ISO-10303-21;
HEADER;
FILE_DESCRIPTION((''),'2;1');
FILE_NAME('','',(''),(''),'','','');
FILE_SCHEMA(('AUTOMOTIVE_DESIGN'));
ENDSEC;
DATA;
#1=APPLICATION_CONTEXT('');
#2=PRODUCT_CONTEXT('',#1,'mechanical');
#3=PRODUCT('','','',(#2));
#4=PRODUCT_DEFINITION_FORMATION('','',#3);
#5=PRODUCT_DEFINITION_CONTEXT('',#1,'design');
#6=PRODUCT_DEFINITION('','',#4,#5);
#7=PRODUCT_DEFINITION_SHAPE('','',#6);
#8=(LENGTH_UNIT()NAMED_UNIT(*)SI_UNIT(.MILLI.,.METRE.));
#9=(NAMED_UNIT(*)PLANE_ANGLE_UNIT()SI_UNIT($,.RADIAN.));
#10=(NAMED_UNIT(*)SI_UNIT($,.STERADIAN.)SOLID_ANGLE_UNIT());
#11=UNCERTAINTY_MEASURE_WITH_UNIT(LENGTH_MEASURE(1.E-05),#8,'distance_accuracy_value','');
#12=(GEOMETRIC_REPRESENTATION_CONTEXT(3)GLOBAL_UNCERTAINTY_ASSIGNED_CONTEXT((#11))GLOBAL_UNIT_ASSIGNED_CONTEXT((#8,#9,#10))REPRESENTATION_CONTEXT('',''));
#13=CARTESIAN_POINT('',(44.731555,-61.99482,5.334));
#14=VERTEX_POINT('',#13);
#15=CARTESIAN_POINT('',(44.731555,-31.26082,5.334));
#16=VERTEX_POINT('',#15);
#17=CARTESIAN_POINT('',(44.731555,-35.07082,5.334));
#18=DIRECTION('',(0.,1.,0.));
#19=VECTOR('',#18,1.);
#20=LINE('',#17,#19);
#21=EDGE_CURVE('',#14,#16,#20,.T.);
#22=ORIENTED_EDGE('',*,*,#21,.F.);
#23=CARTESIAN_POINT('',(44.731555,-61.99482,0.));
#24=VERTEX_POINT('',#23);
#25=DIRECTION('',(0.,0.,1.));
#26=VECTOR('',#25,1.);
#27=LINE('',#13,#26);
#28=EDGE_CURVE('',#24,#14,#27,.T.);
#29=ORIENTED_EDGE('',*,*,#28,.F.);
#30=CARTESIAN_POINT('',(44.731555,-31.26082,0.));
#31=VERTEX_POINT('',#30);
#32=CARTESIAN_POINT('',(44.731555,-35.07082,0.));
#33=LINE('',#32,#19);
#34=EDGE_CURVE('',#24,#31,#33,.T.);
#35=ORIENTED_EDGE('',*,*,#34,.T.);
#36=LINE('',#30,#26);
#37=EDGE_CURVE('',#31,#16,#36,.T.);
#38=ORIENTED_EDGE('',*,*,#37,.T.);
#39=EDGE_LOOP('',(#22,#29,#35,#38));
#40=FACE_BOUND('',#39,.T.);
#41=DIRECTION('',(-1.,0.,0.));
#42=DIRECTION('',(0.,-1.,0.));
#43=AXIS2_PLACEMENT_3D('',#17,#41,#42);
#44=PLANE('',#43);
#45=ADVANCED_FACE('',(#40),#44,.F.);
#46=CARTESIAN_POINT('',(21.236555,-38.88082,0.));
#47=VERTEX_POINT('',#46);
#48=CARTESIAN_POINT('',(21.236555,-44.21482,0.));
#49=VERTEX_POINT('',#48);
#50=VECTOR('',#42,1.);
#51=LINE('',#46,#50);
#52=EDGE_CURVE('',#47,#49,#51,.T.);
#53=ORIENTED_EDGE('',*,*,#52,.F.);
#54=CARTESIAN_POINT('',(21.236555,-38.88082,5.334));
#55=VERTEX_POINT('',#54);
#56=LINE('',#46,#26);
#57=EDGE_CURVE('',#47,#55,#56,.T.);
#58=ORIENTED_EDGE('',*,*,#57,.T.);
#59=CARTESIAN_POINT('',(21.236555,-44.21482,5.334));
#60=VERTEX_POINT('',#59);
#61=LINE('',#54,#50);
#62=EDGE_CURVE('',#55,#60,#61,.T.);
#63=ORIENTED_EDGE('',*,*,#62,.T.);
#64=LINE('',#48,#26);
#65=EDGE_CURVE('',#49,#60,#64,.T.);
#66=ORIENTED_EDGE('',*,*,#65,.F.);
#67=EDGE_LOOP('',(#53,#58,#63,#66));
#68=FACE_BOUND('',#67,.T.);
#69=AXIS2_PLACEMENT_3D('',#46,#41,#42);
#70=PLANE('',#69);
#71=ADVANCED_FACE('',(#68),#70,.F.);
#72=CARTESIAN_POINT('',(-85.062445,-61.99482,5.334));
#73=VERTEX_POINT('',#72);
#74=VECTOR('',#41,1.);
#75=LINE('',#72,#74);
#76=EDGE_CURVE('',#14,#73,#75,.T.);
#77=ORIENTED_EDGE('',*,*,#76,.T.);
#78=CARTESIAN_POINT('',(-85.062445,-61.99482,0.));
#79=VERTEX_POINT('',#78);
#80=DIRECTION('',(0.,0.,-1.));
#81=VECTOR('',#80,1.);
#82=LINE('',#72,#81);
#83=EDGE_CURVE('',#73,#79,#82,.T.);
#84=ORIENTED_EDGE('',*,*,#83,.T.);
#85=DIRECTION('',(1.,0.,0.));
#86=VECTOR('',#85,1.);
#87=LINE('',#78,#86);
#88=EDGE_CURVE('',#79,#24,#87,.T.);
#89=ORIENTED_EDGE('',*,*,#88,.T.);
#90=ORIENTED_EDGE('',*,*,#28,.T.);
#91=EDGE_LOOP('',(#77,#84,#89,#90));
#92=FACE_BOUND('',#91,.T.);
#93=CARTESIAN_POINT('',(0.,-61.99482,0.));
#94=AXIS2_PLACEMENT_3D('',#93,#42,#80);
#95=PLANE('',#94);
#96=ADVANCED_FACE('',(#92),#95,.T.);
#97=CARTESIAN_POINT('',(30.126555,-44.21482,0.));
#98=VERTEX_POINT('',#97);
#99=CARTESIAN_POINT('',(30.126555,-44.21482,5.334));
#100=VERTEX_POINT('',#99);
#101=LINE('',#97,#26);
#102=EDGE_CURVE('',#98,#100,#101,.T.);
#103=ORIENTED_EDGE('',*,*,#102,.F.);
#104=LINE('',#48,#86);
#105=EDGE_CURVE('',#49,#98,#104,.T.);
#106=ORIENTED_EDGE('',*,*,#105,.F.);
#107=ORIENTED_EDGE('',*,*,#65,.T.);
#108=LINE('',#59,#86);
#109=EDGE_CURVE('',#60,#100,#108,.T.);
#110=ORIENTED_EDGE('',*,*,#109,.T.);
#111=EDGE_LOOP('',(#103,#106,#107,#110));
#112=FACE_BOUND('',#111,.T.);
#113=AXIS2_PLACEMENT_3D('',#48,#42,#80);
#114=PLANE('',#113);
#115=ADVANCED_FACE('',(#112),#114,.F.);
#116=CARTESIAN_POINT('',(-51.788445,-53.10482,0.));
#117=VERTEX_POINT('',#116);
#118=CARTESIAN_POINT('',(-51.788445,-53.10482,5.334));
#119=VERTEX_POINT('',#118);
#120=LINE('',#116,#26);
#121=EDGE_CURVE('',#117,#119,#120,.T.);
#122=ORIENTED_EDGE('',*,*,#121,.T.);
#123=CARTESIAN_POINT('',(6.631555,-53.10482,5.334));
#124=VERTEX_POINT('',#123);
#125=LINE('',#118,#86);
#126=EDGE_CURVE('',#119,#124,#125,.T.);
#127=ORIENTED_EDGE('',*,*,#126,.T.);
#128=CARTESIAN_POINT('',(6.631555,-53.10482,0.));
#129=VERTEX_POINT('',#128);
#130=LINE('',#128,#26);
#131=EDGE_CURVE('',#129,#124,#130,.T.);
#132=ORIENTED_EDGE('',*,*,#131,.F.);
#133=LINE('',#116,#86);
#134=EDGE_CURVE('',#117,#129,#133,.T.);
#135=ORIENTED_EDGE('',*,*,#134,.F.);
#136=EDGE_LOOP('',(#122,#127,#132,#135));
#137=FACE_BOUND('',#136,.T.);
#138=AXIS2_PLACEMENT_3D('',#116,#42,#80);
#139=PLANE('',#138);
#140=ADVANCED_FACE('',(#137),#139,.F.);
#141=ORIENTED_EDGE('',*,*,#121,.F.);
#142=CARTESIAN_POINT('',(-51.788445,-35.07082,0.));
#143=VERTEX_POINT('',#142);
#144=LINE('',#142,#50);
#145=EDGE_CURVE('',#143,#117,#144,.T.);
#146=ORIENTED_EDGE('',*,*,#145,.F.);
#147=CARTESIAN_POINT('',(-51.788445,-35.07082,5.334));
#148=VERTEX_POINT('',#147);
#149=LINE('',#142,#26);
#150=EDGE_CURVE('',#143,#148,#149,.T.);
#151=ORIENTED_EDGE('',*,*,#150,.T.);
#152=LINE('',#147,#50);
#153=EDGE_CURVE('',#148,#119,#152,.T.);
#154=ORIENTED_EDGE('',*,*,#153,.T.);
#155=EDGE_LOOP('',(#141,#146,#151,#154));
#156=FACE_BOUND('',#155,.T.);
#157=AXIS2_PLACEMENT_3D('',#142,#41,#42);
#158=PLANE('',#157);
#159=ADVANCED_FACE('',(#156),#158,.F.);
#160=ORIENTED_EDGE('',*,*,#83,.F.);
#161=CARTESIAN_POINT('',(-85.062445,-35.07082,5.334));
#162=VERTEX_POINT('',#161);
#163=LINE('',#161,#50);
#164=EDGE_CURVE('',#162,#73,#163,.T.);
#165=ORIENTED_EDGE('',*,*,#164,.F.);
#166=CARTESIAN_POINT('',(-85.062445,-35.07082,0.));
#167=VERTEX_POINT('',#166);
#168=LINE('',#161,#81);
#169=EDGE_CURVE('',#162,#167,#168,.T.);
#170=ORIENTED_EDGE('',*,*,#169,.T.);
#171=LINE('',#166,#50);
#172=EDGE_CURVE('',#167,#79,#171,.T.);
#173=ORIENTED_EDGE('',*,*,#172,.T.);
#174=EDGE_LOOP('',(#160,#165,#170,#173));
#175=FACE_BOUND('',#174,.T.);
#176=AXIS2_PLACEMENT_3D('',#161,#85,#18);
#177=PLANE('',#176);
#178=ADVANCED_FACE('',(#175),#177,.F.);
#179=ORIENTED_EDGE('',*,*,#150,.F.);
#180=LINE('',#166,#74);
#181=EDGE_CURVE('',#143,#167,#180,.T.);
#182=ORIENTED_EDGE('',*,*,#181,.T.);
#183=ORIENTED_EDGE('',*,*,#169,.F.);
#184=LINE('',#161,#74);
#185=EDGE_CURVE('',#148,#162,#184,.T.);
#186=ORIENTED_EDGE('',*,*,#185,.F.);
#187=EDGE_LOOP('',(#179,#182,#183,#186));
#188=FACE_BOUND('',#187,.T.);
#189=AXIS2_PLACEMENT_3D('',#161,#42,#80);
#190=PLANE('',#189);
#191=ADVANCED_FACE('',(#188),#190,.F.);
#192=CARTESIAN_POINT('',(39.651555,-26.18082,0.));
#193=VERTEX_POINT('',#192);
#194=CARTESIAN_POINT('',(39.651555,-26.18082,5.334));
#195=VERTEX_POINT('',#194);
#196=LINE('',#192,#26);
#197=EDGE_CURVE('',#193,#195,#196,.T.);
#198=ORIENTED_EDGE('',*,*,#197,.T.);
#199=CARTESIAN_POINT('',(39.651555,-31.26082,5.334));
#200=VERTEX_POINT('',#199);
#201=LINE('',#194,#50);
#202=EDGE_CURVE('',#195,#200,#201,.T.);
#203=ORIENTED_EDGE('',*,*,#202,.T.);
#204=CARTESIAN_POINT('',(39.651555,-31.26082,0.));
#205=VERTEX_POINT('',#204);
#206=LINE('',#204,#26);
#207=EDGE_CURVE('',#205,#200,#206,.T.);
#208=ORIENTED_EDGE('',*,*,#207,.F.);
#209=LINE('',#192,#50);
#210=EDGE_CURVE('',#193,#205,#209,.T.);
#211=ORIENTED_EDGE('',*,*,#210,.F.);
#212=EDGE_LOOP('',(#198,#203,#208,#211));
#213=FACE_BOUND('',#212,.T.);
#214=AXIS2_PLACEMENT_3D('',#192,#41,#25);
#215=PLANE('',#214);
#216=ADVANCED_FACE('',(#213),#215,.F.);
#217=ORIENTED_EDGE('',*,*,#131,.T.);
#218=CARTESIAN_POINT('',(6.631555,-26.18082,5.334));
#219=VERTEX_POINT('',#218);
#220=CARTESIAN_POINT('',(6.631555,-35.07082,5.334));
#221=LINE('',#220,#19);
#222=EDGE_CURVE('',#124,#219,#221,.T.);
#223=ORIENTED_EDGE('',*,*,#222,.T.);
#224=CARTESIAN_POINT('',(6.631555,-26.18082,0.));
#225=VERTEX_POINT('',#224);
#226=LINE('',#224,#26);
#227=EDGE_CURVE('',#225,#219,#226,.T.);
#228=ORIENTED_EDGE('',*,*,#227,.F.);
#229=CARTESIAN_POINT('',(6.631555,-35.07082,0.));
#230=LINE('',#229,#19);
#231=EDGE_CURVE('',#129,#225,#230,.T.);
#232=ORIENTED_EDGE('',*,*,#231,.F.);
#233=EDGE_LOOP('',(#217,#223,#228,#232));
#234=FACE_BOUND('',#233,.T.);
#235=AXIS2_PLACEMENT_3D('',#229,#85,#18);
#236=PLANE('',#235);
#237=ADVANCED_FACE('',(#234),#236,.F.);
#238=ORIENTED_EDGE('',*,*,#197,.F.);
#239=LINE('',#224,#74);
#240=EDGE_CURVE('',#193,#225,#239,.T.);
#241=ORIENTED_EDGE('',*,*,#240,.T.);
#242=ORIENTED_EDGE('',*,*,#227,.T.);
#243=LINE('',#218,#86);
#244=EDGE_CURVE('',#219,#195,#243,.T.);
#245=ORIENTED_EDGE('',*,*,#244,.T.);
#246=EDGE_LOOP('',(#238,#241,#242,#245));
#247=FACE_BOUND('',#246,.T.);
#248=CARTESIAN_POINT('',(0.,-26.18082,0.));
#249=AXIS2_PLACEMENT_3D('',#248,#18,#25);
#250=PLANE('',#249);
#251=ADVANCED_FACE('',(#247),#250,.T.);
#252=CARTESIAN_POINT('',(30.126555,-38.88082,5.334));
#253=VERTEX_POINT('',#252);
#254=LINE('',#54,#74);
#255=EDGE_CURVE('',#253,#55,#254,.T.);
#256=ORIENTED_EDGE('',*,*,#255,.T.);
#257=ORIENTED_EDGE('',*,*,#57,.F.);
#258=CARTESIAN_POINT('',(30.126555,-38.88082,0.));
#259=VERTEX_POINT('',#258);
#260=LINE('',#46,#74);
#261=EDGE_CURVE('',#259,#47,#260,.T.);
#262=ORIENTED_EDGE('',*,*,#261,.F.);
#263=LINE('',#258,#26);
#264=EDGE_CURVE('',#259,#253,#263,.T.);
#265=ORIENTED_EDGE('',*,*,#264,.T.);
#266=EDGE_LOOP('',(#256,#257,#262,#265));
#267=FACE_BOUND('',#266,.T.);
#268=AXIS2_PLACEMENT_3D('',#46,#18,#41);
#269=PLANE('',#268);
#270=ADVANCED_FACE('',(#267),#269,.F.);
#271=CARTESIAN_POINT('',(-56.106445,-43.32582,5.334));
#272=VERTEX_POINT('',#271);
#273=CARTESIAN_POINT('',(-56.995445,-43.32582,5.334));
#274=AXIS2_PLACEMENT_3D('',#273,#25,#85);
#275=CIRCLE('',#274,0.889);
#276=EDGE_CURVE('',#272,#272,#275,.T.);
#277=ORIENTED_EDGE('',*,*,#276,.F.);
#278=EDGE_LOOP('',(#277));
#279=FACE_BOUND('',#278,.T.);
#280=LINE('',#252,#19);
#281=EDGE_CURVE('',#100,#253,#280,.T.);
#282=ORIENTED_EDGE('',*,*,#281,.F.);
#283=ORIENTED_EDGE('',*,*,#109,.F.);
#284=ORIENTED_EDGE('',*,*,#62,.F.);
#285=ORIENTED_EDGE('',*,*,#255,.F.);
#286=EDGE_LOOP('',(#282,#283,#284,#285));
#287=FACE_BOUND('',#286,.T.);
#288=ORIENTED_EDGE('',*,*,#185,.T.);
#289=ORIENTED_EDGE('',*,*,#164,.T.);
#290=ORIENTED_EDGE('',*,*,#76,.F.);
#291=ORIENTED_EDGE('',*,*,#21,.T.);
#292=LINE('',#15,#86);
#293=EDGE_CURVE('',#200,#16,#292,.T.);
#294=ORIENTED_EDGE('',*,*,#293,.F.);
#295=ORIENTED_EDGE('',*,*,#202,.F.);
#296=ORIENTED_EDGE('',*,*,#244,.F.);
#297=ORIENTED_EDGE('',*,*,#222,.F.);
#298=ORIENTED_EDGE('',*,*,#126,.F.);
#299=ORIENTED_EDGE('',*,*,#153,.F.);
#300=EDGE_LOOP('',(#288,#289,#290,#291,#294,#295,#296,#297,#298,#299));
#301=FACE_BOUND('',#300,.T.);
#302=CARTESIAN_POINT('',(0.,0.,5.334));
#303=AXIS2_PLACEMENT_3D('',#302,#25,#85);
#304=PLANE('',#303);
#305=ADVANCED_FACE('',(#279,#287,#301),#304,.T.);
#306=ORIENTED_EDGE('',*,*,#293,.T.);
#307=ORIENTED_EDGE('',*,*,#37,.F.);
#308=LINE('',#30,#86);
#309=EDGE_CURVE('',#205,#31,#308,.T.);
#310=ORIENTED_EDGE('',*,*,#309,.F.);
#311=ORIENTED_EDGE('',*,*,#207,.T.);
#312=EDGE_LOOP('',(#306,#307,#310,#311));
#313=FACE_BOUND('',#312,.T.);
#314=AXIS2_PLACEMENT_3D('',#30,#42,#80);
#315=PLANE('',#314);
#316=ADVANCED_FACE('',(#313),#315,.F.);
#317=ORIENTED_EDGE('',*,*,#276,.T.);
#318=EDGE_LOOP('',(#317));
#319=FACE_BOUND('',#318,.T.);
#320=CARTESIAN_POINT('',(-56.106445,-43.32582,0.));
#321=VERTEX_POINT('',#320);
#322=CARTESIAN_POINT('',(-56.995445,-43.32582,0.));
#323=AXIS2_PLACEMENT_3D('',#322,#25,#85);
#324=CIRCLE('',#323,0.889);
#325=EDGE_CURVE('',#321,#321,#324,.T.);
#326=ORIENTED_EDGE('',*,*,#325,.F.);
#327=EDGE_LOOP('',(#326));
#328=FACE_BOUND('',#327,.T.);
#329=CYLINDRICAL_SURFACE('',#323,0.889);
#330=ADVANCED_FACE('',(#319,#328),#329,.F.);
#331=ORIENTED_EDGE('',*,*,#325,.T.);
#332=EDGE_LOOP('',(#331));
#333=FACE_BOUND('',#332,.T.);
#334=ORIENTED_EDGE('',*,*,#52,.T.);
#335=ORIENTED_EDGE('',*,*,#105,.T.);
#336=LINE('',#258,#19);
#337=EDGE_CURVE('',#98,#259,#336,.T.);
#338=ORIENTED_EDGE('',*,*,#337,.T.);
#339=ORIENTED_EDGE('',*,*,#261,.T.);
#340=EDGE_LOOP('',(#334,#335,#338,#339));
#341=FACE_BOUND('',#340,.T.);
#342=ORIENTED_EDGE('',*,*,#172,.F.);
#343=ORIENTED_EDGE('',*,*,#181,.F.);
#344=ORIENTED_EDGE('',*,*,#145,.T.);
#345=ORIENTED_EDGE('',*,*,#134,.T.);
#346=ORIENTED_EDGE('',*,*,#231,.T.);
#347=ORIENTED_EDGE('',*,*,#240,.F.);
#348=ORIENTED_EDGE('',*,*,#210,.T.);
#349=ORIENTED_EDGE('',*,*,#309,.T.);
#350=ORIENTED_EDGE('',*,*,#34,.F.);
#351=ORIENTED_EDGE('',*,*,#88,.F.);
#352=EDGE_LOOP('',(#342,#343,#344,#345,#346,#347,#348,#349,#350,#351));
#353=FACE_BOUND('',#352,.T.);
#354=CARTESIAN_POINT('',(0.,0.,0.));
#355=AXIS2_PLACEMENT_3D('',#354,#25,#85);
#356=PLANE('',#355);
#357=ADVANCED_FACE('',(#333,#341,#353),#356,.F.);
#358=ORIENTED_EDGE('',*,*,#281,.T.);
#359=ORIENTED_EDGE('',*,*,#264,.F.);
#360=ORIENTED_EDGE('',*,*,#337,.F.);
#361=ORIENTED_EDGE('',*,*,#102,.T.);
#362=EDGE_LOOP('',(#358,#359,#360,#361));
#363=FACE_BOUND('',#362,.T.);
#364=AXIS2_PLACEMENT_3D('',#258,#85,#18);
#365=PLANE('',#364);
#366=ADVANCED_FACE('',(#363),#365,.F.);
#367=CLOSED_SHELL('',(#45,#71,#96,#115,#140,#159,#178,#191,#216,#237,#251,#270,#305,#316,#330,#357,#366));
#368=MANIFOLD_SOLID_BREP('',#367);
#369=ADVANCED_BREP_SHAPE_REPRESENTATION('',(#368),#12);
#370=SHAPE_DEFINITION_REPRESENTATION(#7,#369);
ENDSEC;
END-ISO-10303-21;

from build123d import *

# Parameters (mm, degrees)
SKETCH1_W           = 129.794
SKETCH1_H           = 24.384
BOSS_EXTRUDE1_DEPTH = 5.334
SKETCH3_W           = 58.42
SKETCH3_H           = 18.034
CUT_EXTRUDE1_DEPTH  = 104.917980915
SKETCH6_W           = 38.1
SKETCH6_H           = 5.334
BOSS_EXTRUDE2_DEPTH = 8.89
SKETCH7_W           = 5.08
SKETCH7_H           = 5.08
CUT_EXTRUDE4_DEPTH  = 104.917980915
SKETCH8_W           = 8.89
SKETCH8_H           = 5.334
CUT_EXTRUDE5_DEPTH  = 104.917980915
SKETCH4_R           = 0.889
CUT_EXTRUDE6_DEPTH  = 104.917980915
SKETCH9_W           = 129.794
SKETCH9_H           = 5.334
BOSS_EXTRUDE3_DEPTH = 2.54


with BuildPart() as part:
    # Sketch1 → Boss-Extrude1 (new body)
    with BuildSketch(Plane.XY):
        with Locations((-20.165445418, -47.262819662)):
            Rectangle(SKETCH1_W, SKETCH1_H)
    extrude(amount=BOSS_EXTRUDE1_DEPTH)

    # Sketch3 → Cut-Extrude1 (cut, through all)
    with BuildSketch(Plane.XY.offset(5.334)):
        with Locations((-22.578445418, -44.087819662)):
            Rectangle(SKETCH3_W, SKETCH3_H)
    extrude(amount=-CUT_EXTRUDE1_DEPTH, mode=Mode.SUBTRACT)

    # Sketch6 → Boss-Extrude2 (add)
    with BuildSketch(Plane(origin=(0, -35.070819662, 0), x_dir=(1, 0, 0), z_dir=(0, 1, 0))):
        with Locations((25.681554582, -2.667)):
            Rectangle(SKETCH6_W, SKETCH6_H)
    extrude(amount=BOSS_EXTRUDE2_DEPTH)

    # Sketch7 → Cut-Extrude4 (cut, through all)
    with BuildSketch(Plane.XY.offset(5.334)):
        with Locations((42.191554582, -28.720819662)):
            Rectangle(SKETCH7_W, SKETCH7_H)
    extrude(amount=-CUT_EXTRUDE4_DEPTH, mode=Mode.SUBTRACT)

    # Sketch8 → Cut-Extrude5 (cut, through all)
    with BuildSketch(Plane.XY.offset(5.334)):
        with Locations((25.681554582, -41.547819662)):
            Rectangle(SKETCH8_W, SKETCH8_H)
    extrude(amount=-CUT_EXTRUDE5_DEPTH, mode=Mode.SUBTRACT)

    # Sketch4 → Cut-Extrude6 (cut, through all)
    with BuildSketch(Plane.XY.offset(5.334)):
        with Locations((-56.995445418, -43.325819662)):
            Circle(SKETCH4_R)
    extrude(amount=-CUT_EXTRUDE6_DEPTH, mode=Mode.SUBTRACT)

    # Sketch9 → Boss-Extrude3 (add)
    with BuildSketch(Plane(origin=(0, -59.454819662, 0), x_dir=(-1, 0, 0), z_dir=(0, -1, 0))):
        with Locations((20.165445418, -2.667)):
            Rectangle(SKETCH9_W, SKETCH9_H)
    extrude(amount=BOSS_EXTRUDE3_DEPTH)


solid = part.part
